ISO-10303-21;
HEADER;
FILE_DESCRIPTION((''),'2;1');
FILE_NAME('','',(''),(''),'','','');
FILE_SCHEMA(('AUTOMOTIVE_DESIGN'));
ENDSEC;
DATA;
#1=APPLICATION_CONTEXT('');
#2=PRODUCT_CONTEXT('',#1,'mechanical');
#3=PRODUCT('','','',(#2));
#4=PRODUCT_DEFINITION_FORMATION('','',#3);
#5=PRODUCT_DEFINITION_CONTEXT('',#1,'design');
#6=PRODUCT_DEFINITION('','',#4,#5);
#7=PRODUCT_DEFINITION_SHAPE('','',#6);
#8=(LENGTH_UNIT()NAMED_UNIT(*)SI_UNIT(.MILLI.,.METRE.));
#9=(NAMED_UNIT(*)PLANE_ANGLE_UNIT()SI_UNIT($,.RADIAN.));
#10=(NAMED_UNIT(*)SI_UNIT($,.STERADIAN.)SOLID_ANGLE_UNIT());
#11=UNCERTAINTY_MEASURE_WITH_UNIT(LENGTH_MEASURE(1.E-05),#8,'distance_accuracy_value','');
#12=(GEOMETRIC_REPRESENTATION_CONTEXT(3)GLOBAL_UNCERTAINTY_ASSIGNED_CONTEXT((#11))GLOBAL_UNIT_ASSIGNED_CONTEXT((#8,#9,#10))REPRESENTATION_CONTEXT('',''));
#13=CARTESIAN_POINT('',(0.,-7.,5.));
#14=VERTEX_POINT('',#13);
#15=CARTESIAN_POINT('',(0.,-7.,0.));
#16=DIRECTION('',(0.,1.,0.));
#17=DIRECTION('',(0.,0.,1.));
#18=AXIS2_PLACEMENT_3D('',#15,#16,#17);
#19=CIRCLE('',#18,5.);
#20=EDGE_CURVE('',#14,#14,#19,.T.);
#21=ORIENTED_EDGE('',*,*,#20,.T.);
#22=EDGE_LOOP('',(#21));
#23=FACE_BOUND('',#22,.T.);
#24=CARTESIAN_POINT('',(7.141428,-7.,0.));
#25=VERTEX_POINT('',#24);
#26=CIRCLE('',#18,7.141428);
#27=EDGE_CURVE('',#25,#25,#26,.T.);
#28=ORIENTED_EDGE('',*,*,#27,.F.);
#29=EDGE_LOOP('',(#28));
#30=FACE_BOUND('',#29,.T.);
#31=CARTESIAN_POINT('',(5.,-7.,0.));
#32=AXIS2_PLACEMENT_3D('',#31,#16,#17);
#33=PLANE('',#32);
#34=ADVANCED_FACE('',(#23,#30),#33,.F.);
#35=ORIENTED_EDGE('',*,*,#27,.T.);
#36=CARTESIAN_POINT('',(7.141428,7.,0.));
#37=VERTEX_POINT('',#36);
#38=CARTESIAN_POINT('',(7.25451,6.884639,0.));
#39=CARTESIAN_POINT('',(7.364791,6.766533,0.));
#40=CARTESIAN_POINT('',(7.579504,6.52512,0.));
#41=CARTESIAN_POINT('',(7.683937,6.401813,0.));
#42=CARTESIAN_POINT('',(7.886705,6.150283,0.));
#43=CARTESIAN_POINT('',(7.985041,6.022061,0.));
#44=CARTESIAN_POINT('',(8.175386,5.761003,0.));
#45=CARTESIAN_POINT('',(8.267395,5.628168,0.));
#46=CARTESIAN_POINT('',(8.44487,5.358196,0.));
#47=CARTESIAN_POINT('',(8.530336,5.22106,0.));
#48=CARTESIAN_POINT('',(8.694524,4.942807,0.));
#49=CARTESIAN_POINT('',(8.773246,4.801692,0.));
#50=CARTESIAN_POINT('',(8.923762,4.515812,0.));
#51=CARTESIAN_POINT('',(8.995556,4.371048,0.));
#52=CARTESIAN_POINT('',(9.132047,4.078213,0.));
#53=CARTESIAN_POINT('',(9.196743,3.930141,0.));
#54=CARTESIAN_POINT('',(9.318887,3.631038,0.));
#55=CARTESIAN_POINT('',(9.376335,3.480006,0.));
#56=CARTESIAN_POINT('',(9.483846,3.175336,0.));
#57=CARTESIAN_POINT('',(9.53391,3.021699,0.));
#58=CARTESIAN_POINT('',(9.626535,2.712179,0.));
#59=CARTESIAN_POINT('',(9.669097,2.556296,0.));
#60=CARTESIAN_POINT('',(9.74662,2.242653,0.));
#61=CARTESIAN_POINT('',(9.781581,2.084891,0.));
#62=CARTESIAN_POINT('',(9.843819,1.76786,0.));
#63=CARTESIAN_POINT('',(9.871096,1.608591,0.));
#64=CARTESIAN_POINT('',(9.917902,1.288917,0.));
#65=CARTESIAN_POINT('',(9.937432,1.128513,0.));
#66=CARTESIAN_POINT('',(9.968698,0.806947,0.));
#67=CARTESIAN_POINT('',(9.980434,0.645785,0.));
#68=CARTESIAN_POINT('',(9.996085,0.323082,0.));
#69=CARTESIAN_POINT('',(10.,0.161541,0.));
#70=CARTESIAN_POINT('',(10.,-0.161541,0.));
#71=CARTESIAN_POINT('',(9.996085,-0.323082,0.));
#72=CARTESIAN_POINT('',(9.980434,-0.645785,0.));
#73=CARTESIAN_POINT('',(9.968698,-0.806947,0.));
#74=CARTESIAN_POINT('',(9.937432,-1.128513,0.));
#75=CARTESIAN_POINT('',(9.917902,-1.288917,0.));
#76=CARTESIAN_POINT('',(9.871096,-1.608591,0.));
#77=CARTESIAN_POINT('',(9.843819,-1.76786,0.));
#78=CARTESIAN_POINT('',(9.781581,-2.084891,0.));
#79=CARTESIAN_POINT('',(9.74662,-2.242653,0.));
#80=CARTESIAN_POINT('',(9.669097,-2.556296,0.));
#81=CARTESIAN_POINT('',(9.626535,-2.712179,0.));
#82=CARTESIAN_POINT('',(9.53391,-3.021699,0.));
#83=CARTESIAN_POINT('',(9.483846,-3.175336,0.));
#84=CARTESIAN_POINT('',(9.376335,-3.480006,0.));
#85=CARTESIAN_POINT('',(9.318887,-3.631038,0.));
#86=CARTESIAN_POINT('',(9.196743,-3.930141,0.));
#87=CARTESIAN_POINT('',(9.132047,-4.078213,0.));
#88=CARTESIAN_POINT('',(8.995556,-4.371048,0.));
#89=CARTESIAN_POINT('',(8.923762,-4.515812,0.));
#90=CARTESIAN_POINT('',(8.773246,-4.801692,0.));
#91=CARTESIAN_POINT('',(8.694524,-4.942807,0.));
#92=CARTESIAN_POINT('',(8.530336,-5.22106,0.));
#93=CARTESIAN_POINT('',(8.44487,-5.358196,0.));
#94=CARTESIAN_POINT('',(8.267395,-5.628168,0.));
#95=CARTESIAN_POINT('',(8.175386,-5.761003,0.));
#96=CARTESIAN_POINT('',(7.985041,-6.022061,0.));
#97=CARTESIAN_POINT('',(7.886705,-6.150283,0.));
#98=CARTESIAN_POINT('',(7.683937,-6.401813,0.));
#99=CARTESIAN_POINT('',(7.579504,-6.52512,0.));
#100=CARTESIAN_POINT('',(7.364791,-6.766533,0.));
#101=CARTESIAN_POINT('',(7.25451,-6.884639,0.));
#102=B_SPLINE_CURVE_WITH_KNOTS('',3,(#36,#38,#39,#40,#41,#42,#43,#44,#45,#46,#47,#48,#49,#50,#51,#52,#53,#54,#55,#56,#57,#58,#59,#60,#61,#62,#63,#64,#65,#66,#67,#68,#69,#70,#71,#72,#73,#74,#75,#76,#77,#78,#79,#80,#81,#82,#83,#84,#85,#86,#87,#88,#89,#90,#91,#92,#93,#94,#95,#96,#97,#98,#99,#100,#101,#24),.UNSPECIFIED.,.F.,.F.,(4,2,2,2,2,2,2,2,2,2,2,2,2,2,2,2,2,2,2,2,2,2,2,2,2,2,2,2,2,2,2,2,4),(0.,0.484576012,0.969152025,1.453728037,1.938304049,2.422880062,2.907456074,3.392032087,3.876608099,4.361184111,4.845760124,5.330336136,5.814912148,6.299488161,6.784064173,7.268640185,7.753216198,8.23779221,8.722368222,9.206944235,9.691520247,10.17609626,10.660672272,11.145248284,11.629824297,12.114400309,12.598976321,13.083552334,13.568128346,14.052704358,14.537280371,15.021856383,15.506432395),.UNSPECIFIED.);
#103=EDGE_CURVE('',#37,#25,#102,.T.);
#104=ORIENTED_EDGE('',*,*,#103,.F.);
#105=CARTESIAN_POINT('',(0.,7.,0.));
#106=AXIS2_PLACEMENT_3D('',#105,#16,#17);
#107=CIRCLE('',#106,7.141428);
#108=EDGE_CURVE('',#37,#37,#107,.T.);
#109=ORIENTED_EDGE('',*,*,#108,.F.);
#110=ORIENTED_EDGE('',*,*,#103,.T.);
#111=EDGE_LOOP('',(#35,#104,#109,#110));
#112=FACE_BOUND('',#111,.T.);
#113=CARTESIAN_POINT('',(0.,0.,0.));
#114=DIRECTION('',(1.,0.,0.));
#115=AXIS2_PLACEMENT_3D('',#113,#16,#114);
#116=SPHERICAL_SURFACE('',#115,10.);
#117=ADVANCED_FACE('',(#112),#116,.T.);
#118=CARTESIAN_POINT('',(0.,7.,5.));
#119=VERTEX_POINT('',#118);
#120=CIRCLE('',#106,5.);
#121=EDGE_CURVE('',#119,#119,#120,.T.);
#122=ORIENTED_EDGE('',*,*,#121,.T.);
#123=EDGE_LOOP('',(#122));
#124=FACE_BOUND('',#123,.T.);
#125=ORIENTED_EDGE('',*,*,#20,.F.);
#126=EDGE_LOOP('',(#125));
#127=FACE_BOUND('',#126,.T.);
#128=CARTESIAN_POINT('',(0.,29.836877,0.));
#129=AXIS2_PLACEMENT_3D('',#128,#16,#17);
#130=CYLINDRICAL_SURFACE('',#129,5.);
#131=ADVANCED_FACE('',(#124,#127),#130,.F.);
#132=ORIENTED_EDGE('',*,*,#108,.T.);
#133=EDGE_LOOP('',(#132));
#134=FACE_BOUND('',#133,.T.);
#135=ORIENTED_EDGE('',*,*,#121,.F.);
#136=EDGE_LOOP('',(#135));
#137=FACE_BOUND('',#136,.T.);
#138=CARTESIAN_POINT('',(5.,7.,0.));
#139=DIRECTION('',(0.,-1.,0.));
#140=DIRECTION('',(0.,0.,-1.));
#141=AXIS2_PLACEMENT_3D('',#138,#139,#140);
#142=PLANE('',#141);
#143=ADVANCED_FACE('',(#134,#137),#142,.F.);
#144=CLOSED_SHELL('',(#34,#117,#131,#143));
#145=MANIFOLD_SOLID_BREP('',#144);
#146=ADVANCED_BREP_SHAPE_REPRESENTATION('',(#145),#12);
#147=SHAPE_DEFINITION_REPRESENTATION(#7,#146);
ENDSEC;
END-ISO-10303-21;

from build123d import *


with BuildPart() as part:
    # Sketch2 → Revolve1 (revolve)
    with BuildSketch(Plane.XY):
        with BuildLine():
            Line((5, -7), (5, 7))
            Line((5, 7), (7.141428429, 7))
            ThreePointArc((7.141428429, 7), (10, 0), (7.141428429, -7))
            Line((7.141428429, -7), (5, -7))
        make_face()
    revolve(axis=Axis((0, 29.836876516, 0), (0, -1, 0)))


solid = part.part
